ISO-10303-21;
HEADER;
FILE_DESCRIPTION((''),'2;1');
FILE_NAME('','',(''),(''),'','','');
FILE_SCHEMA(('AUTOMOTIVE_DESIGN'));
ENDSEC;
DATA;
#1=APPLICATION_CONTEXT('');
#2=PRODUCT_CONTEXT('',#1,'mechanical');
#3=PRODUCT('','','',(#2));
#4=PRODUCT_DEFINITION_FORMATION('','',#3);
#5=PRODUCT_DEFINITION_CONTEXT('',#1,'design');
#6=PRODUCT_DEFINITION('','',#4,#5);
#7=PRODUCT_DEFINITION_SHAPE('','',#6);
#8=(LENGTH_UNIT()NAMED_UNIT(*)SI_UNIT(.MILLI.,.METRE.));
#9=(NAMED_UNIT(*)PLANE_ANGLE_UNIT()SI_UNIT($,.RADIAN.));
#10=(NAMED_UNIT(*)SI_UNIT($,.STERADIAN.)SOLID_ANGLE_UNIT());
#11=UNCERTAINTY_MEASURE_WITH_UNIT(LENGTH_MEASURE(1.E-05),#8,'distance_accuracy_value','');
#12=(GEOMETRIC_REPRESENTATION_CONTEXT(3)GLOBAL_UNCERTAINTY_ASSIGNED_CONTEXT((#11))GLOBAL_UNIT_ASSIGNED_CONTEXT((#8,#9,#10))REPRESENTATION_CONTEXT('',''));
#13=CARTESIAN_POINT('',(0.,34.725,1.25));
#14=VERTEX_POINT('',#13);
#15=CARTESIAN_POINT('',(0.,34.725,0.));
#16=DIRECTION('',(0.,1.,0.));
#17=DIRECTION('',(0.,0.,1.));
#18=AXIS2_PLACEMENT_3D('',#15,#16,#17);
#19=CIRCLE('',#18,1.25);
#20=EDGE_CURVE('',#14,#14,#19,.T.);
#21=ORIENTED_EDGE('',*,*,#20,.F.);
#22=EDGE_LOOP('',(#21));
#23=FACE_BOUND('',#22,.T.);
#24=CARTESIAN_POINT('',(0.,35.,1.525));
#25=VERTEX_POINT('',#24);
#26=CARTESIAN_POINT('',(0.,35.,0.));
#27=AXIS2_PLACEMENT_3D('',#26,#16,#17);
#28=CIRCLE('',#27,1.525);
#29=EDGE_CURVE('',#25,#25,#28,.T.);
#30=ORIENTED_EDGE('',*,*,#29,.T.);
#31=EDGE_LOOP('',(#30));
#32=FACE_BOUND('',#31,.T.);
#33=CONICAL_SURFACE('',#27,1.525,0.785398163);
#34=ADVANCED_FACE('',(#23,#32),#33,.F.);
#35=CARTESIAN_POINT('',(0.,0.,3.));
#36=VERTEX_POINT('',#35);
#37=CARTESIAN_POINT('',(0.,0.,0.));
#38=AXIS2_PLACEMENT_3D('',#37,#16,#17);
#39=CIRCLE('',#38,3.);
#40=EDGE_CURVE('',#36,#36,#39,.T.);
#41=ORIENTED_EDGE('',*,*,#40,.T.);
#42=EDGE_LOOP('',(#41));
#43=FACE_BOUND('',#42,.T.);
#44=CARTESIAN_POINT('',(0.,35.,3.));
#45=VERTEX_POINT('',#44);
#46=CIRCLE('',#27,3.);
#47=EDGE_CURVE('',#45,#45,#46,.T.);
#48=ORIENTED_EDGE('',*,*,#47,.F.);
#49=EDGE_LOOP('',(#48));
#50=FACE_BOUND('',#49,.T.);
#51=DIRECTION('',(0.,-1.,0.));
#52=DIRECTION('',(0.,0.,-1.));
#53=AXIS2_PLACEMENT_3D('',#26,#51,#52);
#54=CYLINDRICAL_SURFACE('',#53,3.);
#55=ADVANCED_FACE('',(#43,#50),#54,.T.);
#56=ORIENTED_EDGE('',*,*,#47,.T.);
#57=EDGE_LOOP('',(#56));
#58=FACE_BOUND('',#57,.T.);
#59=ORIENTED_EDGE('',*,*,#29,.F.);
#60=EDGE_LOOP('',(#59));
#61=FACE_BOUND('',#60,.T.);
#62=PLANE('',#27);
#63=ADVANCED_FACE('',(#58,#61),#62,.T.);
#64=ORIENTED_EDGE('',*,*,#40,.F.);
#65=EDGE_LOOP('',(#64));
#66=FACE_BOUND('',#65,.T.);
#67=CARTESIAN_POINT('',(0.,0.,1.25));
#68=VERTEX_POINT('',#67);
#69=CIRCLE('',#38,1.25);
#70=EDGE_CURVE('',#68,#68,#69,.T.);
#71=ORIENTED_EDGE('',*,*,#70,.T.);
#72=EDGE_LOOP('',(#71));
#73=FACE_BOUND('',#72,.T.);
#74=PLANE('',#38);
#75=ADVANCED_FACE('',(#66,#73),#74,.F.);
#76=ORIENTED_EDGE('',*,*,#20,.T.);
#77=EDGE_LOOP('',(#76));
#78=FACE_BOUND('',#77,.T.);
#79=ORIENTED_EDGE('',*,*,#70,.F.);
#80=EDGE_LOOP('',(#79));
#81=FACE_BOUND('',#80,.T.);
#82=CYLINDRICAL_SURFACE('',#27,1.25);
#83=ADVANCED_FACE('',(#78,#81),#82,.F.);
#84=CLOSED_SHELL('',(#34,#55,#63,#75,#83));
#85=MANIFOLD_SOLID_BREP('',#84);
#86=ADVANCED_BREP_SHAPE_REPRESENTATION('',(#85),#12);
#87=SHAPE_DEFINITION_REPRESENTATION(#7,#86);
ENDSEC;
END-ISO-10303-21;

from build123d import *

# Parameters (mm, degrees)
SKETCH_1_R                   = 3
EXTRUDE_1_DEPTH              = 35
HOLE_WIZARD_M3_1_D           = 2.5
HOLE_WIZARD_M3_1_CSINK_D     = 3.05
HOLE_WIZARD_M3_1_CSINK_ANGLE = 90


with BuildPart() as part:
    # 草图1 → 凸台-拉伸1 (new body)
    with BuildSketch(Plane(origin=(0, 0, 0), x_dir=(1, 0, 0), z_dir=(0, 1, 0))):
        with Locations(Location((0, 0, 0), (0, 0, 270))):
            Circle(SKETCH_1_R)
    extrude(amount=EXTRUDE_1_DEPTH)

    # M3 螺纹孔1 (through all)
    with Locations(Plane(origin=(0, 35, 0), x_dir=(1, 0, 0), z_dir=(0, 1, 0))):
        with Locations((0, 0)):
            CounterSinkHole(HOLE_WIZARD_M3_1_D / 2, HOLE_WIZARD_M3_1_CSINK_D / 2, counter_sink_angle=HOLE_WIZARD_M3_1_CSINK_ANGLE)


solid = part.part
